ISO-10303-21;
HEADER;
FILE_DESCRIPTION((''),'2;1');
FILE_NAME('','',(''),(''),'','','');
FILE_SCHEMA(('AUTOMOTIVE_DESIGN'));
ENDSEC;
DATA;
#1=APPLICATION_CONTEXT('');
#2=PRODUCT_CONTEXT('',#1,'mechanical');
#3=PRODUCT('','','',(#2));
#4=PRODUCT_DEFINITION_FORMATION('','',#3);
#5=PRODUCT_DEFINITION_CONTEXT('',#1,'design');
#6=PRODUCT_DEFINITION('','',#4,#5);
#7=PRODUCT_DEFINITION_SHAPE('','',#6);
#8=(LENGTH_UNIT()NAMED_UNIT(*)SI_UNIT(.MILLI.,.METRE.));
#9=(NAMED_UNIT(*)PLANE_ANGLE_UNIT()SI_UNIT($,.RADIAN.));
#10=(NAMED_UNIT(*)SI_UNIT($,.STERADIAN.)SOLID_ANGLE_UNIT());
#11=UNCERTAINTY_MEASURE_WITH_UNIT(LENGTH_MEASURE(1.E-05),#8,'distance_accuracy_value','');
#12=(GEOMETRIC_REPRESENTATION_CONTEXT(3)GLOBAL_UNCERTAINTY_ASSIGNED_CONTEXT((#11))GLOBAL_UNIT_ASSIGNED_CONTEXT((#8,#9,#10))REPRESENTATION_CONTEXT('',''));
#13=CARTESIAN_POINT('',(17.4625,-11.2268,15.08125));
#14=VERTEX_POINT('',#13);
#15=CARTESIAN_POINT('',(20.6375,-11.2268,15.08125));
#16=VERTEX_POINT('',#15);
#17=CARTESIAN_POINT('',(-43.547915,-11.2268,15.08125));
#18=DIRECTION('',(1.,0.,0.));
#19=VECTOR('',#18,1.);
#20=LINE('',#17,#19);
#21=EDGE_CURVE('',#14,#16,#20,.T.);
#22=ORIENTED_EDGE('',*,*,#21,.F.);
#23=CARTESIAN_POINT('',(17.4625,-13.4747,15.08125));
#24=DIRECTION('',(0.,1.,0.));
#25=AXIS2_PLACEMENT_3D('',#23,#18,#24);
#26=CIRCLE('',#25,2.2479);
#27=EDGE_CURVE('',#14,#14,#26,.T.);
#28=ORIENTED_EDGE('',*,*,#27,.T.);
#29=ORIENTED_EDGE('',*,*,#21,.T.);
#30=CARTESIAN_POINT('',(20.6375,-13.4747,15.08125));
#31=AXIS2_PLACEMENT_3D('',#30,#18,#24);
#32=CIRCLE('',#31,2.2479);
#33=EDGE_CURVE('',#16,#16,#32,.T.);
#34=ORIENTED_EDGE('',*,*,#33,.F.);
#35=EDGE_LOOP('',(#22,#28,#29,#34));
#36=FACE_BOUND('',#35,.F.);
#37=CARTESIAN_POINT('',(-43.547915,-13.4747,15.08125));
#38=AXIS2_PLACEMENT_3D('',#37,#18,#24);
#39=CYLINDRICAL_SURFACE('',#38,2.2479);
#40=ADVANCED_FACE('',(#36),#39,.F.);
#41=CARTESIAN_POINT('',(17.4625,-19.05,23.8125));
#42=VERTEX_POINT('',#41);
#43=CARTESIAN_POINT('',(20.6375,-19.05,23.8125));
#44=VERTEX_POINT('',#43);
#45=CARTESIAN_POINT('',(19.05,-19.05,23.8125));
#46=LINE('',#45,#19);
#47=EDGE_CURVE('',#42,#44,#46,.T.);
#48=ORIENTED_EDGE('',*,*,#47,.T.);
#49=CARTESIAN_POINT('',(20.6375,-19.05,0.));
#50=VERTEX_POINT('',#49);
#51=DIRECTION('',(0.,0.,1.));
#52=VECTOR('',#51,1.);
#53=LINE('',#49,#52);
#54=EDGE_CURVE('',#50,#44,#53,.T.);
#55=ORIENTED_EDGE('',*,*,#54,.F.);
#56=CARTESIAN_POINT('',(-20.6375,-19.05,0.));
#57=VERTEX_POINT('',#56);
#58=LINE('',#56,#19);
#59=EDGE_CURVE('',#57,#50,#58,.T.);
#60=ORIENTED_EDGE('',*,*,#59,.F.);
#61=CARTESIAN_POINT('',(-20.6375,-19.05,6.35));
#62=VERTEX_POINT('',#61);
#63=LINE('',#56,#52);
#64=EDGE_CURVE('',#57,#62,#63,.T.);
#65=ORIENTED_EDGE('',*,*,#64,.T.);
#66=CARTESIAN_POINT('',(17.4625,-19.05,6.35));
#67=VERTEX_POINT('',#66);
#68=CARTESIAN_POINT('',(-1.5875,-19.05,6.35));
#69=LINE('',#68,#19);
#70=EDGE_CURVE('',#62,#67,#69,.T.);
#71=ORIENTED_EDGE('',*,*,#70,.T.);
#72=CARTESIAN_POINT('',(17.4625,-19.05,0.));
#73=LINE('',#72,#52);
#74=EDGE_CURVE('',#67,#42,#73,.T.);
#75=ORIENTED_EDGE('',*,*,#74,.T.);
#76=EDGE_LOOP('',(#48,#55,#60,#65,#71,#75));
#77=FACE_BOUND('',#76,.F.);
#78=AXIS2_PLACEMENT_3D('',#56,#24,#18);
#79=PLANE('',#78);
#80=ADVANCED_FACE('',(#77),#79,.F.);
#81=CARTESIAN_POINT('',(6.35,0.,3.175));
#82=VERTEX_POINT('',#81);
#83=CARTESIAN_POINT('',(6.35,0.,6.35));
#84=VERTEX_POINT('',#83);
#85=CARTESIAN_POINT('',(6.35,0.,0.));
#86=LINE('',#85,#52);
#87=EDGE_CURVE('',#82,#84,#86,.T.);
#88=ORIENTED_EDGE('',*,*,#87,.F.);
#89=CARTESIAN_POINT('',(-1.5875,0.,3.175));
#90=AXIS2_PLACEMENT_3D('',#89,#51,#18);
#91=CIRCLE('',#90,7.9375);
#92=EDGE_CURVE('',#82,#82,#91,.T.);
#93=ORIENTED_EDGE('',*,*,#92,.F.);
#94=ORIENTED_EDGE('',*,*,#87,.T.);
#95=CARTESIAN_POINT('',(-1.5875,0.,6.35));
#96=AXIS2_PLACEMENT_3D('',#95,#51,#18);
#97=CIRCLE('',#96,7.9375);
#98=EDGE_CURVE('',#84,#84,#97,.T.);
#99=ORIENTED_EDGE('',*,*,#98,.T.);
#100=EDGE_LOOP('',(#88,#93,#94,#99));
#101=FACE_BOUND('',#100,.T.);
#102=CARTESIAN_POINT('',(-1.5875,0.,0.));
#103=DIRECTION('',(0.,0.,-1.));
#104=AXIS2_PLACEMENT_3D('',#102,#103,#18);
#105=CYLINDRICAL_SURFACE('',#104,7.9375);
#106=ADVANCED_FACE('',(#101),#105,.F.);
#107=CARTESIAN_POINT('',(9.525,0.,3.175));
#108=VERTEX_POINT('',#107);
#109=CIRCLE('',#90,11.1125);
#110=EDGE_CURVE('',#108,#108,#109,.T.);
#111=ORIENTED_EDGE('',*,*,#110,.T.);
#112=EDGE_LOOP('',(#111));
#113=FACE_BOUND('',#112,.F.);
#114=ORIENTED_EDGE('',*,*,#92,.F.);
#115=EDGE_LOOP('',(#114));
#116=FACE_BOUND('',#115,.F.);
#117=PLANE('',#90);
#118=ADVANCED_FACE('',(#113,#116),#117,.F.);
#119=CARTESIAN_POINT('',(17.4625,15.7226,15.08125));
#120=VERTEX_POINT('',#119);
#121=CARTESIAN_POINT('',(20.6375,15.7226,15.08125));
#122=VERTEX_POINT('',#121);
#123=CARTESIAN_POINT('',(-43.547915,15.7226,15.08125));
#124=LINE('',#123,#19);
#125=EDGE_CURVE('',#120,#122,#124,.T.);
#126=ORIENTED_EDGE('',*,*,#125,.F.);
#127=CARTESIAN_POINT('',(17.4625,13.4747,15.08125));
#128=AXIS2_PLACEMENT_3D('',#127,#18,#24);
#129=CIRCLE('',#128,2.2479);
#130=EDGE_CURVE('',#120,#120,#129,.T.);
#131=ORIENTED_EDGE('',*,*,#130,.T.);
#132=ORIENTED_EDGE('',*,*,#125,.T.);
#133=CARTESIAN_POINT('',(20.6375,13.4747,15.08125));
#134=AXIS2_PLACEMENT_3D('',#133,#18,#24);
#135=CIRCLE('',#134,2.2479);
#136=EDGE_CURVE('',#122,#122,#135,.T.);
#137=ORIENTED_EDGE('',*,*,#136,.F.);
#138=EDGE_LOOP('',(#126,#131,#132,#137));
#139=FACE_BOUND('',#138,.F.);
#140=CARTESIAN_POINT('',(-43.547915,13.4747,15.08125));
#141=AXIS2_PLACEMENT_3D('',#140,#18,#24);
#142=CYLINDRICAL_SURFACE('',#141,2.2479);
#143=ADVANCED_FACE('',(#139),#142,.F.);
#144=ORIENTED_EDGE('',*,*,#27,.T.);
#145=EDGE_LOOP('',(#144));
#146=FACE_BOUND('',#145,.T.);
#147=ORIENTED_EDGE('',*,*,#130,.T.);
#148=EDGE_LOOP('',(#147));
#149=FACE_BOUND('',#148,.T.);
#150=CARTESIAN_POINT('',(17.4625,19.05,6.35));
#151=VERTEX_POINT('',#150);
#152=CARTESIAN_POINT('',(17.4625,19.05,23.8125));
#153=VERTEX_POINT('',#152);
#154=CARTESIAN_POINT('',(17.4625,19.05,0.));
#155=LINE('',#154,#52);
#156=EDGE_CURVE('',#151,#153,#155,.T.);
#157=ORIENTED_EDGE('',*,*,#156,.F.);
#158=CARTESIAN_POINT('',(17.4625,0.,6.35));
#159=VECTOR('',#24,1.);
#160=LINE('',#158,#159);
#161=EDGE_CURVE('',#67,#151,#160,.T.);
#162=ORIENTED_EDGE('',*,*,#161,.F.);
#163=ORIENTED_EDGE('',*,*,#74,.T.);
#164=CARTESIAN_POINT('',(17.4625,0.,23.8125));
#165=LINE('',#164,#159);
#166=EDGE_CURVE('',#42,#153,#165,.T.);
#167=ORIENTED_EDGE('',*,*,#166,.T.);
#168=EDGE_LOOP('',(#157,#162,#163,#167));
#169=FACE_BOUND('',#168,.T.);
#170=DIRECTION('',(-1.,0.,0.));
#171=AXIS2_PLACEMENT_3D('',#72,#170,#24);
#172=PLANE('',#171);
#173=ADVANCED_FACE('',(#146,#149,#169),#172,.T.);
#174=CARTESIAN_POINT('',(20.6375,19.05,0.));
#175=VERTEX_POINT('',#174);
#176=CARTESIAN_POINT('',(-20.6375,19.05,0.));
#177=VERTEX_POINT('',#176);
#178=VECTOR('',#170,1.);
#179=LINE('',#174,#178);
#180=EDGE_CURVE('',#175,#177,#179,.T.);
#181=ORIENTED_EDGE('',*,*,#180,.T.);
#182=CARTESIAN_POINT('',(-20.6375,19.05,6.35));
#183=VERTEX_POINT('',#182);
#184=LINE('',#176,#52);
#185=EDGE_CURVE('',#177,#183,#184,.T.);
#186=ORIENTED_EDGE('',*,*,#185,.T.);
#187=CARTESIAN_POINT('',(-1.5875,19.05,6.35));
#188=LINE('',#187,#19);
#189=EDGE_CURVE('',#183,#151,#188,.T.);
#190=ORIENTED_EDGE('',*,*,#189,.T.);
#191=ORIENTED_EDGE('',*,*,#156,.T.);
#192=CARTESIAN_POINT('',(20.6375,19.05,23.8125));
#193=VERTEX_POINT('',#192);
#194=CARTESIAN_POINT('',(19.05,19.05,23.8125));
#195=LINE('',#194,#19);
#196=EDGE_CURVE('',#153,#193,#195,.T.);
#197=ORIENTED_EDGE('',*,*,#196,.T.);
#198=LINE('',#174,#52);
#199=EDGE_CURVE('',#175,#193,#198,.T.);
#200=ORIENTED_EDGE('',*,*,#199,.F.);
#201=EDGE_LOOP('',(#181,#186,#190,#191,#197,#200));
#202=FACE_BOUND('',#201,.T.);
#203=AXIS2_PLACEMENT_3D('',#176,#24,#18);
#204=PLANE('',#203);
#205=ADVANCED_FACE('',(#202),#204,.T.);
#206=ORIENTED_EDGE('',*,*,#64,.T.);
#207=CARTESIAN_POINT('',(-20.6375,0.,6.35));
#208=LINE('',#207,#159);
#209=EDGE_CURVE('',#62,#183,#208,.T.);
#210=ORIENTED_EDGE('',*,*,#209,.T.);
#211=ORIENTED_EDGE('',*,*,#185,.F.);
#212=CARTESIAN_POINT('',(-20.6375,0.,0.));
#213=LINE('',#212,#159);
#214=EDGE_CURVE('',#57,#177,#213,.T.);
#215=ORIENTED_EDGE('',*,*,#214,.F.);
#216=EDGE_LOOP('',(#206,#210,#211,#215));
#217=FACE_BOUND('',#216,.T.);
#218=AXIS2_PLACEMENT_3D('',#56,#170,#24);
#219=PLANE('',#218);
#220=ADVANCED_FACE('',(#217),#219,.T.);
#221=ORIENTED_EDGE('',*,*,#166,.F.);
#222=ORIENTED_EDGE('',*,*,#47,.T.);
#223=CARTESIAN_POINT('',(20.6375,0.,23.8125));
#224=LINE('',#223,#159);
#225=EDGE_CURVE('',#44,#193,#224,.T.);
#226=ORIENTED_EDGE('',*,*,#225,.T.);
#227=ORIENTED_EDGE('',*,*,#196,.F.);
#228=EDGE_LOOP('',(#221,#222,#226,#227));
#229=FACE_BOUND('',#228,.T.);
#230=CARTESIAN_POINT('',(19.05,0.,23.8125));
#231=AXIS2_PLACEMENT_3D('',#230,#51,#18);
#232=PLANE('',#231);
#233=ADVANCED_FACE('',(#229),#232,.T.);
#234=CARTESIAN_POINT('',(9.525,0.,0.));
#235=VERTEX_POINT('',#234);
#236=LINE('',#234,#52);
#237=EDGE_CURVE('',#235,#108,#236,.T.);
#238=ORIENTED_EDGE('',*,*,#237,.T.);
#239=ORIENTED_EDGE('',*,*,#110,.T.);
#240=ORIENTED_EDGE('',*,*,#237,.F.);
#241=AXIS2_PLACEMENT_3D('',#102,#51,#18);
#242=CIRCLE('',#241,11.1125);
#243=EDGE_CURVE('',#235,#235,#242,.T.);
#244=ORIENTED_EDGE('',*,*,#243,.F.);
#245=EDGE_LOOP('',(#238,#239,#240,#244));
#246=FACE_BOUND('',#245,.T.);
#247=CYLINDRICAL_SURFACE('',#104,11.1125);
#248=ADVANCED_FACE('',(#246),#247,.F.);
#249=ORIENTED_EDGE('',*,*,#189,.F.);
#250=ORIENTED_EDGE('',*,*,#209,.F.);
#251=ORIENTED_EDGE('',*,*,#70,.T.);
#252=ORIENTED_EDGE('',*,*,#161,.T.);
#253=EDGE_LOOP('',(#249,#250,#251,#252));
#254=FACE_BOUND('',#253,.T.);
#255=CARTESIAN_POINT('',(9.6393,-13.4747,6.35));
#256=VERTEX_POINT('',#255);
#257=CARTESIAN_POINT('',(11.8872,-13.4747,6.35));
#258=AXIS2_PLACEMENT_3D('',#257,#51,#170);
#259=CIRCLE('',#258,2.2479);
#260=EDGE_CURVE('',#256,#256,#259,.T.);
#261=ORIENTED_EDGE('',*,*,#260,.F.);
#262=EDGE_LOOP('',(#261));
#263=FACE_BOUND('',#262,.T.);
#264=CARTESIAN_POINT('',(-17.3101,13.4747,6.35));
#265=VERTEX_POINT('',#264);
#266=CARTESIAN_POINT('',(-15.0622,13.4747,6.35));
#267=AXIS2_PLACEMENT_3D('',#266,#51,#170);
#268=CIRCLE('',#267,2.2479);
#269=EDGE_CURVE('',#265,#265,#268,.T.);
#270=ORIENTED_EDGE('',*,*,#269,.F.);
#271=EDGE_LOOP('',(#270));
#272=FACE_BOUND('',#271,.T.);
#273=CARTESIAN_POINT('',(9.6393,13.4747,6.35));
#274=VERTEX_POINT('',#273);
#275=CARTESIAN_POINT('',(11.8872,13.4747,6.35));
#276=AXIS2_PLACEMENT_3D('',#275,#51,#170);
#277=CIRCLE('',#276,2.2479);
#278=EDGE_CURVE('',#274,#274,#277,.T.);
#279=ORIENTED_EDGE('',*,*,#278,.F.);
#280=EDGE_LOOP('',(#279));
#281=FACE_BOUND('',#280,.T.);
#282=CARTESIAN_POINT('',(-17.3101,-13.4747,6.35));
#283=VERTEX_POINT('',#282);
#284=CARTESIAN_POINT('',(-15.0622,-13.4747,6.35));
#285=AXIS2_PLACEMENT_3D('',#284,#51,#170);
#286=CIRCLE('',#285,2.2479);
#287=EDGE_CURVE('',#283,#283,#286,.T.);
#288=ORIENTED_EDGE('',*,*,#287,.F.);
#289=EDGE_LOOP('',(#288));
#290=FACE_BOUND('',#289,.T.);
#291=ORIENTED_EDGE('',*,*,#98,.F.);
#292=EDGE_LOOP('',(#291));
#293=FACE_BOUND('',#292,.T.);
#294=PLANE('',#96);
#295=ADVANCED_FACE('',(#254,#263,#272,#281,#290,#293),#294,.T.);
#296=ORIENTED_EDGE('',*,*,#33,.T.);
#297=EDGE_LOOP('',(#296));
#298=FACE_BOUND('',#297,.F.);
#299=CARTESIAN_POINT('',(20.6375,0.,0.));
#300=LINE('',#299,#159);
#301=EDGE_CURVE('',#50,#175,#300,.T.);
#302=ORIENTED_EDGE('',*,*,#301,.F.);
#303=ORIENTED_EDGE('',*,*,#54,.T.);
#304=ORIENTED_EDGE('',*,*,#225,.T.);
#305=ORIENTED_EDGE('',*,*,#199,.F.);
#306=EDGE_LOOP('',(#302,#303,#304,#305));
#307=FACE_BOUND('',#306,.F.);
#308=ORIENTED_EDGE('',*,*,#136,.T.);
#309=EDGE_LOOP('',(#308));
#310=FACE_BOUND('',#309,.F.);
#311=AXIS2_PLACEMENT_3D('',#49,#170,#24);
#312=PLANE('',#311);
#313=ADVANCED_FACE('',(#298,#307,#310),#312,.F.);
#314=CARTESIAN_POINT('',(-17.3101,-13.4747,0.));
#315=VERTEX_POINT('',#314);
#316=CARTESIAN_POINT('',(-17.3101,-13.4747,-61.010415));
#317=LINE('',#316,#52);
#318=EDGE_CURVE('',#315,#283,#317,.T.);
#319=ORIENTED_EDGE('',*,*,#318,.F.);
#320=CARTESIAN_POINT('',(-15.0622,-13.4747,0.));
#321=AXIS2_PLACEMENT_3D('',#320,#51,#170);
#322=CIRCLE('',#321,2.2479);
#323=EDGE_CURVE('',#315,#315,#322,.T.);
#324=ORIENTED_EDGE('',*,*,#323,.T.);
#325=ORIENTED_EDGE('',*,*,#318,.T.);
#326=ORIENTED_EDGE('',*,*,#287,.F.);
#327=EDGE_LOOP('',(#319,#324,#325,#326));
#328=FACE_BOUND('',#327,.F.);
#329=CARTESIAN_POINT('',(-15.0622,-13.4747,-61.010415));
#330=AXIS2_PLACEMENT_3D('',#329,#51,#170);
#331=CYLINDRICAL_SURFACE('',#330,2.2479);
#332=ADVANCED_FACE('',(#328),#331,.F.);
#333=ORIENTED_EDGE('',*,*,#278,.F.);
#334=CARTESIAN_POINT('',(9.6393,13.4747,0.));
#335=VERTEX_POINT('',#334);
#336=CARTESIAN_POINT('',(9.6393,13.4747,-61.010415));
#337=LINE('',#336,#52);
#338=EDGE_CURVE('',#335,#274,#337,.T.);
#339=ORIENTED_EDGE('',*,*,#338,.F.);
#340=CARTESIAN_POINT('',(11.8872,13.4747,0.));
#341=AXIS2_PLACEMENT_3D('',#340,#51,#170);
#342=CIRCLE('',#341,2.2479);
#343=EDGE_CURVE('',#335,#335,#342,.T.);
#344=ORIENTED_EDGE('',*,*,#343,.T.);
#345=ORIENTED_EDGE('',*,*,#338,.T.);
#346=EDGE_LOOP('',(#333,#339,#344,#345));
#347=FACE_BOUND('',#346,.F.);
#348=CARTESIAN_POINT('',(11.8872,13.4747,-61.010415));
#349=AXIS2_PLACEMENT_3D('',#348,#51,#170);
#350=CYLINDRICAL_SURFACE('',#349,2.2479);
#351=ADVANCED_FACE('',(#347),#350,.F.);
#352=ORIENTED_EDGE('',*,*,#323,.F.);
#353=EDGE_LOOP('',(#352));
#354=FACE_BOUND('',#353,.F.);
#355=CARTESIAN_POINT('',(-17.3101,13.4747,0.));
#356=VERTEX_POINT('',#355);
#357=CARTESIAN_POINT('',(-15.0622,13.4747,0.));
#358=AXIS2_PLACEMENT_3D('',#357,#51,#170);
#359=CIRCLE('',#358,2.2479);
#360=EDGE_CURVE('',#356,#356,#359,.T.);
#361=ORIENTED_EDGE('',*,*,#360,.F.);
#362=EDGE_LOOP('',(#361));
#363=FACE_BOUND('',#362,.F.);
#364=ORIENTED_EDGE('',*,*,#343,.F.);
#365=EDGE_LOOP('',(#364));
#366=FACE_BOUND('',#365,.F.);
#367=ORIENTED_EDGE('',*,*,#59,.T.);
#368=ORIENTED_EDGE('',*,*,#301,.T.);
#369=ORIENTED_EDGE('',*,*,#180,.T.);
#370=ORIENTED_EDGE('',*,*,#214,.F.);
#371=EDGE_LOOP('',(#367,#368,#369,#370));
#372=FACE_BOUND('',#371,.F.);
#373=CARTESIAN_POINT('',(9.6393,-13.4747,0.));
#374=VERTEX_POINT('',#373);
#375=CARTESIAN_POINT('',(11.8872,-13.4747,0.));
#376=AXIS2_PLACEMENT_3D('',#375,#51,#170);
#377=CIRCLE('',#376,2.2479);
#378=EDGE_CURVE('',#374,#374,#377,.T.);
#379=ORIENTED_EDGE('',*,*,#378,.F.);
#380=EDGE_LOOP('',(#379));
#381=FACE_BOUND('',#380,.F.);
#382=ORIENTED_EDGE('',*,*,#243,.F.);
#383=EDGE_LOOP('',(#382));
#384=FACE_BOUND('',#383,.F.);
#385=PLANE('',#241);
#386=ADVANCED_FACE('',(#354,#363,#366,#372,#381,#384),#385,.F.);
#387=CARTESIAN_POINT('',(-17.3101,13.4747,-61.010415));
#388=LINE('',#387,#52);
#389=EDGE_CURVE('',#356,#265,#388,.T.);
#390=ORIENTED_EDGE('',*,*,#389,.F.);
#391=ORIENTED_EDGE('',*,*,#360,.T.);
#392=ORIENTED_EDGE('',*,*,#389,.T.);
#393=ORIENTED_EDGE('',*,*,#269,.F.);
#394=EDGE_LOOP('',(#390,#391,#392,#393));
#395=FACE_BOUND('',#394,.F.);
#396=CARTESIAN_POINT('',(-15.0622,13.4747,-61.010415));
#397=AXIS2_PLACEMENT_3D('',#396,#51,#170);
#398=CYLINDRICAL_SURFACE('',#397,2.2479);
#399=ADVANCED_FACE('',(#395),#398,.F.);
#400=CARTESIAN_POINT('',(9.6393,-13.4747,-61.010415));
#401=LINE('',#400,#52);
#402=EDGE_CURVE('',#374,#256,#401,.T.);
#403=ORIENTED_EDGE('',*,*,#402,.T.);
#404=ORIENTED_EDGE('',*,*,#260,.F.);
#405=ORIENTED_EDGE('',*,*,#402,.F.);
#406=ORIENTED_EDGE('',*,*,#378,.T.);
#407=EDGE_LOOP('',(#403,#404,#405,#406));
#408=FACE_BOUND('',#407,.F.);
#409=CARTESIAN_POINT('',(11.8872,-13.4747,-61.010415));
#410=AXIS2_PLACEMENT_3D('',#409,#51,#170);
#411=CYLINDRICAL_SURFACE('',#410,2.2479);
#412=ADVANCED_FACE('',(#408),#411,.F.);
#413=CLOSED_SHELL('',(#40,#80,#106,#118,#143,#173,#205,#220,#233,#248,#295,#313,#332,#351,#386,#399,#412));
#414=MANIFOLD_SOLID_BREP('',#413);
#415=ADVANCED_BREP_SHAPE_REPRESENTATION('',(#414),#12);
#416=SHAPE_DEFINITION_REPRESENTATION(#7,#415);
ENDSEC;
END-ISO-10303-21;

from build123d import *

# Parameters (mm, degrees)
F0_W      = 3.175
F0_H      = 38.1
F1_DEPTH  = 23.8125
F0_W_2    = 38.1
F0_R      = 11.1125
F0_R_2    = 7.9375
F2_DEPTH  = 6.35
F4_D      = 4.4958
F5_D      = 4.4958
F6_D      = 4.4958
F7_D      = 4.4958
F8_D      = 4.4958
F9_D      = 4.4958
F10_DEPTH = 3.175


with BuildPart() as f1:
    # F0 (on Top) → F1 (new body)
    with BuildSketch(Plane.XY):
        with Locations((19.05, 0)):
            Rectangle(F0_W, F0_H)
    extrude(amount=F1_DEPTH)

    # F0 (on Top) → F2 (join)
    with BuildSketch(Plane.XY):
        with Locations((-1.5875, 0)):
            Rectangle(F0_W_2, F0_H)
        with Locations((-1.5875, 0)):
            Circle(F0_R, mode=Mode.SUBTRACT)
        with Locations((-1.5875, 0)):
            Circle(F0_R)
        with Locations((-1.5875, 0)):
            Circle(F0_R_2, mode=Mode.SUBTRACT)
    extrude(amount=F2_DEPTH)

    # F4 (through all)
    with Locations(Plane(origin=(0, 0, 0), x_dir=(1, 0, 0), z_dir=(0, 0, -1))):
        with Locations((-15.0622, 13.4747)):
            Hole(F4_D / 2)

    # F5 (through all)
    with Locations(Plane(origin=(0, 0, 0), x_dir=(1, 0, 0), z_dir=(0, 0, -1))):
        with Locations((-15.0622, -13.4747)):
            Hole(F5_D / 2)

    # F6 (through all)
    with Locations(Plane(origin=(0, 0, 0), x_dir=(1, 0, 0), z_dir=(0, 0, -1))):
        with Locations((11.8872, -13.4747)):
            Hole(F6_D / 2)

    # F7 (through all)
    with Locations(Plane(origin=(0, 0, 0), x_dir=(1, 0, 0), z_dir=(0, 0, -1))):
        with Locations((11.8872, 13.4747)):
            Hole(F7_D / 2)

    # F8 (through all)
    with Locations(Plane(origin=(17.4625, 0, 0), x_dir=(0, -1, 0), z_dir=(-1, 0, 0))):
        with Locations((-13.4747, 15.08125)):
            Hole(F8_D / 2)

    # F9 (through all)
    with Locations(Plane(origin=(17.4625, 0, 0), x_dir=(0, -1, 0), z_dir=(-1, 0, 0))):
        with Locations((13.4747, 15.08125)):
            Hole(F9_D / 2)

    # F0 (on Top) → F10 (cut)
    with BuildSketch(Plane.XY):
        with Locations((-1.5875, 0)):
            Circle(F0_R)
        with Locations((-1.5875, 0)):
            Circle(F0_R_2, mode=Mode.SUBTRACT)
    extrude(amount=F10_DEPTH, mode=Mode.SUBTRACT)


solid = f1.part
